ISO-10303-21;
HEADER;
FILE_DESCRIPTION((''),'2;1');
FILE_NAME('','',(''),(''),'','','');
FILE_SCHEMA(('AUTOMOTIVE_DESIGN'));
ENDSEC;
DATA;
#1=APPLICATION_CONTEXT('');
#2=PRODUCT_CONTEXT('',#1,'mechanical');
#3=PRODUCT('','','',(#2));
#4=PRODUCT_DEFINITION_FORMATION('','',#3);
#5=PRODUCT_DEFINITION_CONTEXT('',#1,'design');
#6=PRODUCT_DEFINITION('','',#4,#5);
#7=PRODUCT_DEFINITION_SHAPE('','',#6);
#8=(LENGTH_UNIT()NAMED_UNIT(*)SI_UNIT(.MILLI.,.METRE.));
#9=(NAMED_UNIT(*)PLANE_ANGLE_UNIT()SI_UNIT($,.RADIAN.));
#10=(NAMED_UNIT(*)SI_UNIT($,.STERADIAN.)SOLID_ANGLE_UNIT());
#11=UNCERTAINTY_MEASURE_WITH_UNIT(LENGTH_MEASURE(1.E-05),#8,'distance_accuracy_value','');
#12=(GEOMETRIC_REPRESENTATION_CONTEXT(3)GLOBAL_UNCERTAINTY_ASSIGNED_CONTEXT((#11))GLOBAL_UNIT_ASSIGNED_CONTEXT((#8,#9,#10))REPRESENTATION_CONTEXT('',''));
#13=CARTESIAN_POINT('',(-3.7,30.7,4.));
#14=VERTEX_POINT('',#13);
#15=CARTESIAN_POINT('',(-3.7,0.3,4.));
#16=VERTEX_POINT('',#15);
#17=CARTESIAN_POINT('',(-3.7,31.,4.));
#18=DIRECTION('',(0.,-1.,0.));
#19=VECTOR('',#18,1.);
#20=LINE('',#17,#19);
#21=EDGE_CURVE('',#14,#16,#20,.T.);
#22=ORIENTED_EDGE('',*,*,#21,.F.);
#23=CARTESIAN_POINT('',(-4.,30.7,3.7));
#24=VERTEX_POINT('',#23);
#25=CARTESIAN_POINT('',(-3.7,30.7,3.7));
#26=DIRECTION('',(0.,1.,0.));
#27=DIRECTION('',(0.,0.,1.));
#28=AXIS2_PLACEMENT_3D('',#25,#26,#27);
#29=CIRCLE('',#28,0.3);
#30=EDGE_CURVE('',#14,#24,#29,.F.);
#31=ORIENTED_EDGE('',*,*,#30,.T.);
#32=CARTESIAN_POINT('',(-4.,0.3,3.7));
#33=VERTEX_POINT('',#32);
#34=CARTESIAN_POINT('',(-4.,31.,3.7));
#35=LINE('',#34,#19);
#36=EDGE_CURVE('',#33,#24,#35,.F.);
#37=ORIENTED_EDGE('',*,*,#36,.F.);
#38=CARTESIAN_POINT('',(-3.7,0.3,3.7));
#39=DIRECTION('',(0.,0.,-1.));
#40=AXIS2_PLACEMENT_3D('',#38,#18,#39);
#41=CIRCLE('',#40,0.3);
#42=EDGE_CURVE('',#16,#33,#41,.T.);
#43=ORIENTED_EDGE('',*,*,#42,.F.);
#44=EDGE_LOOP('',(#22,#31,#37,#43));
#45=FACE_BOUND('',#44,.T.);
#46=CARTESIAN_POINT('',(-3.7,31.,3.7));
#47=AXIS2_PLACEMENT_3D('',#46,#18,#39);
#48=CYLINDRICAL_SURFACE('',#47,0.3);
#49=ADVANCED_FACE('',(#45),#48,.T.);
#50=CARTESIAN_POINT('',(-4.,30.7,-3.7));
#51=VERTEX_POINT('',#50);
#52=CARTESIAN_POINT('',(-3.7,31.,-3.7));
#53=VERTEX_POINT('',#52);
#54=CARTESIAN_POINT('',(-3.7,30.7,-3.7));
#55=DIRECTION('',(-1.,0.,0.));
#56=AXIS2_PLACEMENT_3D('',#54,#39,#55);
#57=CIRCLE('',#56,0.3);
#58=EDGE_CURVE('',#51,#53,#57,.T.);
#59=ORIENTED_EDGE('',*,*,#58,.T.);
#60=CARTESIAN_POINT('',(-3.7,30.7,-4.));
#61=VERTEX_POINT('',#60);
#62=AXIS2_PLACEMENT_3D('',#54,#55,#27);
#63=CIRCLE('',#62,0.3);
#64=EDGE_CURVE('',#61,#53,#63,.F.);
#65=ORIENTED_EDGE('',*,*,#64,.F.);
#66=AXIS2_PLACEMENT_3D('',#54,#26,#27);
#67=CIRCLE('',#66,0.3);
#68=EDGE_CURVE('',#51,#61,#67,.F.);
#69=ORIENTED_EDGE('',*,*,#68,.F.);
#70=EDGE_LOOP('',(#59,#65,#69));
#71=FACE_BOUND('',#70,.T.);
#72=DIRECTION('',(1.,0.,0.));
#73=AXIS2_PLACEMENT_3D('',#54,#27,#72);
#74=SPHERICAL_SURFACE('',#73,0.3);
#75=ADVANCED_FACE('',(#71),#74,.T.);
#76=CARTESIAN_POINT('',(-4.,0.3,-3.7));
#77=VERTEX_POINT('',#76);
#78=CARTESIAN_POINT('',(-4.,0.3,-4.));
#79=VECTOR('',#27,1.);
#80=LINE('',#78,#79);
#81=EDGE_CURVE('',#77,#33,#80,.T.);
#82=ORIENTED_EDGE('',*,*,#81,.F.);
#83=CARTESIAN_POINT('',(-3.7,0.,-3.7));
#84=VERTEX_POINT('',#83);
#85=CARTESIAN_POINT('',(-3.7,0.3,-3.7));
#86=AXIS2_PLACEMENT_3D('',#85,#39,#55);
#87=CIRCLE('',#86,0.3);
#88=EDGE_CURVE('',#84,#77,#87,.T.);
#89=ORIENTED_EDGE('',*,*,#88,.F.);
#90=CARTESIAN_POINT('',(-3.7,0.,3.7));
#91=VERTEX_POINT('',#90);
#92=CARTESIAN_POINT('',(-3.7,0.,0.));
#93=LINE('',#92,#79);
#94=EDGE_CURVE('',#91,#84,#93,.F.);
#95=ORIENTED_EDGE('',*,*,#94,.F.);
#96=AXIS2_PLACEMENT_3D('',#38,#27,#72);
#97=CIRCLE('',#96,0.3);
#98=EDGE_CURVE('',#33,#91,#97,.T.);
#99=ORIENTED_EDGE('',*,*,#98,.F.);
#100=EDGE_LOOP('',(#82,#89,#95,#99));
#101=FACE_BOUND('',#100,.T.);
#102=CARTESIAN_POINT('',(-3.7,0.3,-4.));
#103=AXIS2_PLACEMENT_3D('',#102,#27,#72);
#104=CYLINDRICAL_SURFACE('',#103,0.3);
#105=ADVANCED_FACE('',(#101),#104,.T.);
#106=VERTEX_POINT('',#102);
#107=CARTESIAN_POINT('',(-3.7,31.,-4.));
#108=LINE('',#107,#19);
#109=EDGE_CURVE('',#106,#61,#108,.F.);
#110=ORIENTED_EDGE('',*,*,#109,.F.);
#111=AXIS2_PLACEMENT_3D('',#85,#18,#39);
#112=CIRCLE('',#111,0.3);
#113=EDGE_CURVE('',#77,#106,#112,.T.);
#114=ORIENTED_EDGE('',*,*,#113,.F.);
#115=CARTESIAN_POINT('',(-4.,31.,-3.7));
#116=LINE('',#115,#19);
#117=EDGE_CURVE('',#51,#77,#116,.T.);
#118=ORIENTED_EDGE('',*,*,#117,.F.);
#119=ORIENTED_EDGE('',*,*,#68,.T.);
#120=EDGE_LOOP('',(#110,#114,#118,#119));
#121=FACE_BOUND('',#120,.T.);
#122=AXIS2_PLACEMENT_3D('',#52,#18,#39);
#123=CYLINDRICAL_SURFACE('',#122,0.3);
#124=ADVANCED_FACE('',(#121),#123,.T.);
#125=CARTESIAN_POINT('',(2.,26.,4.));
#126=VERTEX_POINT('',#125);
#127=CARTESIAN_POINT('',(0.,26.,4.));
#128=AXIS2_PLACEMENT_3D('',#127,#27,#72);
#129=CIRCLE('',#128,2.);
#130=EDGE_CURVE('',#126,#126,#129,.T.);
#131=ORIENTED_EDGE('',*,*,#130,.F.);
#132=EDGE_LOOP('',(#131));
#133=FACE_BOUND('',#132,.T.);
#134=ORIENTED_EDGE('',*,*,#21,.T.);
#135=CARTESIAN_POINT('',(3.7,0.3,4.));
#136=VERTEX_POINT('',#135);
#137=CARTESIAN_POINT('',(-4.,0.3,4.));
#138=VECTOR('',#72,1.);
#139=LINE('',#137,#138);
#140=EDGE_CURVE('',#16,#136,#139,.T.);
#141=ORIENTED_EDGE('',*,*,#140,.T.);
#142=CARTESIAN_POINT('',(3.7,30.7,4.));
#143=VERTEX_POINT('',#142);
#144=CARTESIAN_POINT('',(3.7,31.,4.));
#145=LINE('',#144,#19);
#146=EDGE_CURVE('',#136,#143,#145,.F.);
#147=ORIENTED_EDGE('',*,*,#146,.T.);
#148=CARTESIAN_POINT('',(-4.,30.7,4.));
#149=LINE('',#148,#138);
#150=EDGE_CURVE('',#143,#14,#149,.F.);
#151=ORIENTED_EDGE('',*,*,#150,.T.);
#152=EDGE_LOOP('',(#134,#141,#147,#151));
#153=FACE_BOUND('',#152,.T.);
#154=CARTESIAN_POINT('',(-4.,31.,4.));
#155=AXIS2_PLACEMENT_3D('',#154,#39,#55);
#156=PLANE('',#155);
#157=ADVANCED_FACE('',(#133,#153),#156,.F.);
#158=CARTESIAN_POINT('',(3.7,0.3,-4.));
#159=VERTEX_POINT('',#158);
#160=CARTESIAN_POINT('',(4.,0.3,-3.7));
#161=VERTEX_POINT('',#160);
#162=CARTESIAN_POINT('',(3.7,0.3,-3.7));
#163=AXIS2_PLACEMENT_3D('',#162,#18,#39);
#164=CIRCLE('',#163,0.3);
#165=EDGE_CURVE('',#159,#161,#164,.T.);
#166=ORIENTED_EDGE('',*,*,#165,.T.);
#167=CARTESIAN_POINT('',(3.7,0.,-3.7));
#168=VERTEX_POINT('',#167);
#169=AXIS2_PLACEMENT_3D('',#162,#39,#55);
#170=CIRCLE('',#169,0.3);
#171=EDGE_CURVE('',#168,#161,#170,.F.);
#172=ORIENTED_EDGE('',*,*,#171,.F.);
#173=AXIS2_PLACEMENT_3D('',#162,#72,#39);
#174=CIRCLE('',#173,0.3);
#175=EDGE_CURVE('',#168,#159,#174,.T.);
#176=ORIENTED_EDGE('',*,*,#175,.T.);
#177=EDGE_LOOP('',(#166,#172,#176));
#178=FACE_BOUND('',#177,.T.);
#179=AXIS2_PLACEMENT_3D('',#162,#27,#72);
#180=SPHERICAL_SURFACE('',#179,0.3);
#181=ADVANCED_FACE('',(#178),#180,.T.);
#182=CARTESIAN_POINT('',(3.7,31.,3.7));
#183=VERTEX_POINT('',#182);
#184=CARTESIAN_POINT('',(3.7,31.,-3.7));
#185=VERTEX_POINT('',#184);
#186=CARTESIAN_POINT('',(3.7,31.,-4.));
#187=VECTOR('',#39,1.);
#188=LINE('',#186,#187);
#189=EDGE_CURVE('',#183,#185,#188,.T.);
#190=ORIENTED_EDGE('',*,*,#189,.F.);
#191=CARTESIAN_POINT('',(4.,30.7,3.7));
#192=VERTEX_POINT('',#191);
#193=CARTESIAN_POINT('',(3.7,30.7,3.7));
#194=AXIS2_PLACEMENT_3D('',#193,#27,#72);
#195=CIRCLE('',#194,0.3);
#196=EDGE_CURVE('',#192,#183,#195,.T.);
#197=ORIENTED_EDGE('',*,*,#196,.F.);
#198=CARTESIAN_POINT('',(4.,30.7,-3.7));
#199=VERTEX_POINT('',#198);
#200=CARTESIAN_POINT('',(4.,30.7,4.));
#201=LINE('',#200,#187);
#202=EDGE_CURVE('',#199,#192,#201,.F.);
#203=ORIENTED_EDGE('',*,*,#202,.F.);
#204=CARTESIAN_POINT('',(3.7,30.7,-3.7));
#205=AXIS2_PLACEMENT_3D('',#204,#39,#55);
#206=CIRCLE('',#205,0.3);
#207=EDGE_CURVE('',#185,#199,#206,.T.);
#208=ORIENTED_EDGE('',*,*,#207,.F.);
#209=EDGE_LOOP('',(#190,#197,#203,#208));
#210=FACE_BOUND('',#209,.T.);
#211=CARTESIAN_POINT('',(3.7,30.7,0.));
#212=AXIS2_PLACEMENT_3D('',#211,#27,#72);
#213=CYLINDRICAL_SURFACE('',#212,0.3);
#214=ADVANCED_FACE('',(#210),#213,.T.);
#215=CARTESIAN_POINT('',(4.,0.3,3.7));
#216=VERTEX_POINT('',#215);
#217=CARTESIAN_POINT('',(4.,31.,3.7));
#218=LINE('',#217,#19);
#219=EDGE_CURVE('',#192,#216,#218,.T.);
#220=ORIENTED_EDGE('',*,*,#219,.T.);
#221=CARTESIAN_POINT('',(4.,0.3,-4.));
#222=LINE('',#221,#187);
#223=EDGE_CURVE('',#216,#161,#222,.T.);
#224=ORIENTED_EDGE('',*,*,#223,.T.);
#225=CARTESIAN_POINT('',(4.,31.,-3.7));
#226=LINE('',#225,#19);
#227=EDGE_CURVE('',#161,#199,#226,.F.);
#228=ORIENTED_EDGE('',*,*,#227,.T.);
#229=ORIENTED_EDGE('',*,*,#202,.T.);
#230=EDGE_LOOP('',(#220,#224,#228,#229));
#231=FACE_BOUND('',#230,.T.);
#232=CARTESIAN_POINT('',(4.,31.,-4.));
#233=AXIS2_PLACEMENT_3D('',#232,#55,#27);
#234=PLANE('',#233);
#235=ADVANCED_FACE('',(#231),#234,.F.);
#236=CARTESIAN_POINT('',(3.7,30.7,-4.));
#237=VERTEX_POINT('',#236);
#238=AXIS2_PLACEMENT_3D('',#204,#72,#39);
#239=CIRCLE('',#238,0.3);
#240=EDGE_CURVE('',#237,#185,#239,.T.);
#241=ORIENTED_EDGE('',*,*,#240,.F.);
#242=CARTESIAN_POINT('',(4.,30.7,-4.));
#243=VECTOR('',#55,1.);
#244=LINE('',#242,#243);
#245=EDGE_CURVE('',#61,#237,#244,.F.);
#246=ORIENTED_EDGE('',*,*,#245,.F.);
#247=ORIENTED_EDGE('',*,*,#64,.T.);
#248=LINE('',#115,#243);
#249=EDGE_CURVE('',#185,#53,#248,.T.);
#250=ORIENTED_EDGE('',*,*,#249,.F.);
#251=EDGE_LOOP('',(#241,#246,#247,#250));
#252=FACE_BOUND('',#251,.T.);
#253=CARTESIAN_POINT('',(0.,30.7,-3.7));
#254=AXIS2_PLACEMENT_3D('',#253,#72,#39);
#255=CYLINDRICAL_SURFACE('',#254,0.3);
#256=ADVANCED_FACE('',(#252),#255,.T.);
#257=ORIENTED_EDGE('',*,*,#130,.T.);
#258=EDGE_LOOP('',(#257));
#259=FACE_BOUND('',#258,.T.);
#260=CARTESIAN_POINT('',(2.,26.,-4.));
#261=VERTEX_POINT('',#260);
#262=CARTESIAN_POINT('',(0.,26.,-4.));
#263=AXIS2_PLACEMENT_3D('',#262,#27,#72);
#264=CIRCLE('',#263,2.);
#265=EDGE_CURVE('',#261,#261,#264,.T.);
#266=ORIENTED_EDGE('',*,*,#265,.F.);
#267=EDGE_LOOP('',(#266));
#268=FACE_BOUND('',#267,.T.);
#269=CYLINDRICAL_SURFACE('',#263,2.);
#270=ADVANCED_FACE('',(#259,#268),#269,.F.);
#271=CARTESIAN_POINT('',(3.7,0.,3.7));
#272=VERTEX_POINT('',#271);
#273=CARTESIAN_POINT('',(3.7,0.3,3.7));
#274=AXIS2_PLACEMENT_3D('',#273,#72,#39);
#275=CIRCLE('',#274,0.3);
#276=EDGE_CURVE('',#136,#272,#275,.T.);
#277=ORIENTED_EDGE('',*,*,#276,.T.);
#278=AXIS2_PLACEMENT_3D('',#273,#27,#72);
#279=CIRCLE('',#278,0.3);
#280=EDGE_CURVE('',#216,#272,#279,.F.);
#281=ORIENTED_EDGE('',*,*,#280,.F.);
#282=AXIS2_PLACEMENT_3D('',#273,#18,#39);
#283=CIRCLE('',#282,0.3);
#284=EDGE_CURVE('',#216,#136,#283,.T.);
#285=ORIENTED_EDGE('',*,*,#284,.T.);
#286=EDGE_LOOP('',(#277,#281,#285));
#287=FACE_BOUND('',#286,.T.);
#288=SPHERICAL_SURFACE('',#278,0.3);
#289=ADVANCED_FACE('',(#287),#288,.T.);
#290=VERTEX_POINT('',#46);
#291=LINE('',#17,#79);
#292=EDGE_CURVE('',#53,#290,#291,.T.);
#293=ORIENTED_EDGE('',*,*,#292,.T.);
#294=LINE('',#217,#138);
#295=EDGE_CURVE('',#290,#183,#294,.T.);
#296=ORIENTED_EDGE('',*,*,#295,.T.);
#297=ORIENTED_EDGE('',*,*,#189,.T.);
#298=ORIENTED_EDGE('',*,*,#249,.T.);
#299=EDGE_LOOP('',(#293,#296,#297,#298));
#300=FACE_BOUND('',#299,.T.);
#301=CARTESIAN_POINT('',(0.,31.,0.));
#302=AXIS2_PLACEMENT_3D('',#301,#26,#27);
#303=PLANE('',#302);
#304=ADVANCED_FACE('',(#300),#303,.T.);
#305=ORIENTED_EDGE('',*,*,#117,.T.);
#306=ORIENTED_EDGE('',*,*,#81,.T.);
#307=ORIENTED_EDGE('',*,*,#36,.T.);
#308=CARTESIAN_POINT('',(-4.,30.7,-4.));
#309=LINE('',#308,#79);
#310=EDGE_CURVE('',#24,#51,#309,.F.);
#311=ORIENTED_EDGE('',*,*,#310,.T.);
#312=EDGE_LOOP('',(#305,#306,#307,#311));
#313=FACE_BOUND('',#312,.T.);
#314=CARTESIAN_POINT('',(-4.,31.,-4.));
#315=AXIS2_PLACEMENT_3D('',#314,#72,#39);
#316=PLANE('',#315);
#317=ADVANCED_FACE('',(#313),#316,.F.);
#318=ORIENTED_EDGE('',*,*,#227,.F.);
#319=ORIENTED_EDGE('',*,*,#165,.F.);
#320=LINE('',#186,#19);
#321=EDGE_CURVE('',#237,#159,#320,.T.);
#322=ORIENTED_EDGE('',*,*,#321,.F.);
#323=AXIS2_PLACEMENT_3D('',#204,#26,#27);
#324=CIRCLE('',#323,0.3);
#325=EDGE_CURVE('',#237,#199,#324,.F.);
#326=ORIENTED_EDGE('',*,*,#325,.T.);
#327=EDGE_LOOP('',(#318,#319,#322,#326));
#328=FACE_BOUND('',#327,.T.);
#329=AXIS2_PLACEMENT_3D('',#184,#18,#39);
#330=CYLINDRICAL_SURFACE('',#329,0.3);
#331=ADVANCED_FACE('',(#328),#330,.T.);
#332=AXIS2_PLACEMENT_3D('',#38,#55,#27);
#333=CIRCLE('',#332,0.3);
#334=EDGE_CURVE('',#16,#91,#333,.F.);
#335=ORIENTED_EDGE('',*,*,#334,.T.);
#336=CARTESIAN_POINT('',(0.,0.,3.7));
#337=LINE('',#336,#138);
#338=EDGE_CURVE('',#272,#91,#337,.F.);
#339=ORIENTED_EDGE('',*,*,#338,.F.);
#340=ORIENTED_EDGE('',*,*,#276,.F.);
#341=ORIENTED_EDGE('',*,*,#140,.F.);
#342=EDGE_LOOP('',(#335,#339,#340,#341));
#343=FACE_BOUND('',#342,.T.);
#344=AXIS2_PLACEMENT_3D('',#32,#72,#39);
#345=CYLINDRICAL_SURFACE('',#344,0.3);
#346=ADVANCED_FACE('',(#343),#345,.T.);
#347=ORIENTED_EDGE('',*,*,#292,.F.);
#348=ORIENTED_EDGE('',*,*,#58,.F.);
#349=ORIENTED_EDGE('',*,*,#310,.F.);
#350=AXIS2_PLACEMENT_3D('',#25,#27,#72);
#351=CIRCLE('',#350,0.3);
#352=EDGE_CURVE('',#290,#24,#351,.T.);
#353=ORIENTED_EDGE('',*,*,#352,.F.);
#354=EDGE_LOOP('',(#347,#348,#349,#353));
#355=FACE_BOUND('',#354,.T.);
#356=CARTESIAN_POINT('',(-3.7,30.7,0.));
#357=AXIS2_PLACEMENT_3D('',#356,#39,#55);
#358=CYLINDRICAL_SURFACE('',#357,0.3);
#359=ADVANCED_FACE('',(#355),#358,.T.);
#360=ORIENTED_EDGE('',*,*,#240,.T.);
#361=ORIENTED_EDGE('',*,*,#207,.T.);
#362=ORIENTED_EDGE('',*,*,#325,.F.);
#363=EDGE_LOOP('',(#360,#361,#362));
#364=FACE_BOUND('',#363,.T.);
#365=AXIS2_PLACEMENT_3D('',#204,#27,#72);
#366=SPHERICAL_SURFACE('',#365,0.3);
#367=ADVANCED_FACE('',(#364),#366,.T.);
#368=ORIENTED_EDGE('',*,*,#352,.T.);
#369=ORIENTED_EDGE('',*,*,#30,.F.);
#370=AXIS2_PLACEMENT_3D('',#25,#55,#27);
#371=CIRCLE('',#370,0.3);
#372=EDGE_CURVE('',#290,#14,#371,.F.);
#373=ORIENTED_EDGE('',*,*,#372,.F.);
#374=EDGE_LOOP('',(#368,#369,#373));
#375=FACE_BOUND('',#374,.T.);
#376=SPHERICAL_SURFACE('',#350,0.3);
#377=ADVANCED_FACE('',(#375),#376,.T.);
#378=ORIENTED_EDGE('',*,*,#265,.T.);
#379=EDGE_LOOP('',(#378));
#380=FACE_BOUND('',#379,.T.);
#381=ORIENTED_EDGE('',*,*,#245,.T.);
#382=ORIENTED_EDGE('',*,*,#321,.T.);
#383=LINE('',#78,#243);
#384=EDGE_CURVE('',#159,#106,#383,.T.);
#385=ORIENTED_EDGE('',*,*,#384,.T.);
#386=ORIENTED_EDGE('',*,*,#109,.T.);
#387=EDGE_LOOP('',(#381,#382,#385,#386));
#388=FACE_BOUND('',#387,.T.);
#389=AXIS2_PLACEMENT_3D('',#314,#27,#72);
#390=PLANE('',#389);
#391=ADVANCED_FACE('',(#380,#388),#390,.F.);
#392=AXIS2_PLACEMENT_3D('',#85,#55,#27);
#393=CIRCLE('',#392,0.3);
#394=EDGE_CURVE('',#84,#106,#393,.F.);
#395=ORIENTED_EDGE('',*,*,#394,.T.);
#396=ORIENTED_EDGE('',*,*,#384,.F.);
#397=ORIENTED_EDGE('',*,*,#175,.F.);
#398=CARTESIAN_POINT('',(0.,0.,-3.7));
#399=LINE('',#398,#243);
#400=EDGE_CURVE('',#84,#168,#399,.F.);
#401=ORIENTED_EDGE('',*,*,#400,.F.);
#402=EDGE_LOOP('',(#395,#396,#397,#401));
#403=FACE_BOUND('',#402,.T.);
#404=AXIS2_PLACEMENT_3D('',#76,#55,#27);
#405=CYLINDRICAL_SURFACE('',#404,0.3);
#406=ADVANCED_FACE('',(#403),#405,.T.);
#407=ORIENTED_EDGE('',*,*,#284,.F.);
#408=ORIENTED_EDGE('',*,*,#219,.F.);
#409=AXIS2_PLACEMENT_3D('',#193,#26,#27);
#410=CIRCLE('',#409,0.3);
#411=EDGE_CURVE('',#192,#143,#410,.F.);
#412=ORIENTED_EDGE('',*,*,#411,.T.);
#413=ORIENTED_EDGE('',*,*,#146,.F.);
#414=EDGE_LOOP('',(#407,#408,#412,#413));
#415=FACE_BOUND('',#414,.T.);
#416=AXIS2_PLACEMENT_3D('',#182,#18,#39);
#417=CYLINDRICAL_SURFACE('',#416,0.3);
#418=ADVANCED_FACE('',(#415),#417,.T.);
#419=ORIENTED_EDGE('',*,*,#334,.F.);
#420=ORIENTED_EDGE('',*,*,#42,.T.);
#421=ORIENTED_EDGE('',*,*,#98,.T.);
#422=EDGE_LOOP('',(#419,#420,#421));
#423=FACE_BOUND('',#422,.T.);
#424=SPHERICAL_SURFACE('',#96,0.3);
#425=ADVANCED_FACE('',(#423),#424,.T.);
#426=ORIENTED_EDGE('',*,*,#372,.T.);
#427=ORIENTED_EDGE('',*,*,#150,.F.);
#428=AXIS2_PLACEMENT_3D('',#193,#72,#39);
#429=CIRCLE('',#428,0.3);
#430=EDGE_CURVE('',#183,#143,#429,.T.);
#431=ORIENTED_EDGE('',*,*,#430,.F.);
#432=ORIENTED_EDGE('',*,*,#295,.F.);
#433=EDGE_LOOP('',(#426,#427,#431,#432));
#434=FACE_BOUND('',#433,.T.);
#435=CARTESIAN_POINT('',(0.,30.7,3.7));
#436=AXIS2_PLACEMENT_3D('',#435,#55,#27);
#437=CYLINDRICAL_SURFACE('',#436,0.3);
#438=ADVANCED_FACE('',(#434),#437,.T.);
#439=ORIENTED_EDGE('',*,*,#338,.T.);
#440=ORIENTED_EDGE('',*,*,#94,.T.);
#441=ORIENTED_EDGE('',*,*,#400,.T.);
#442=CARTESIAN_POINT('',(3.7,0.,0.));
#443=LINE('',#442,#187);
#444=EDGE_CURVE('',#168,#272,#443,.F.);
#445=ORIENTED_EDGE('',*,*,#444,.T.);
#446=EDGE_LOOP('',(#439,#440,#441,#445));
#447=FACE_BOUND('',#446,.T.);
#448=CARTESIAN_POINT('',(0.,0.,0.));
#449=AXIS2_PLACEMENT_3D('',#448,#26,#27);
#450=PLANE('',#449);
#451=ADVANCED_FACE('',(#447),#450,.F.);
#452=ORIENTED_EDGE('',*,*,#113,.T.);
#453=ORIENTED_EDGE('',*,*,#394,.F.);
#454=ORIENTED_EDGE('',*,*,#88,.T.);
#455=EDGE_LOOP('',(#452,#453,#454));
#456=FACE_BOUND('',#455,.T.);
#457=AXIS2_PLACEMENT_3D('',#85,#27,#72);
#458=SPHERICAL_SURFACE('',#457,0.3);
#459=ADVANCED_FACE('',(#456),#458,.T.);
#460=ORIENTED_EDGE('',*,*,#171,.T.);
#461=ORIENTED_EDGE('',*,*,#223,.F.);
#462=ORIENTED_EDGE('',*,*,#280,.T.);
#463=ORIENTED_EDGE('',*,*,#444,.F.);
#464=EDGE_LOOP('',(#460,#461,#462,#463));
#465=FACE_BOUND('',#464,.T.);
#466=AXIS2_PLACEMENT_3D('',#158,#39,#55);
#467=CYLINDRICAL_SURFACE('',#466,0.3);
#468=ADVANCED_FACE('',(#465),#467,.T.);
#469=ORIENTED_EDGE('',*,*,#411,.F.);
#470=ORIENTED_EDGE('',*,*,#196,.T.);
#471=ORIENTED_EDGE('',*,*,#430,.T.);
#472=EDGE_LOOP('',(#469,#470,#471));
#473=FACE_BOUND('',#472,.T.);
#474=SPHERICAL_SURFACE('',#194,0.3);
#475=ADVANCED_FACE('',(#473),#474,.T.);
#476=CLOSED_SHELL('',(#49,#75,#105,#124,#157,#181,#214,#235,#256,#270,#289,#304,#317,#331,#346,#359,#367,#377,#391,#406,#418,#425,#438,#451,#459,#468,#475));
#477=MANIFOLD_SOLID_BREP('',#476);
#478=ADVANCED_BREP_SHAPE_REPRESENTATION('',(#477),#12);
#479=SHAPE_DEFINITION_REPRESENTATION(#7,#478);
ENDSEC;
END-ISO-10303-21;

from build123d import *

# Parameters (mm, degrees)
SKIZZE1_W                       = 8
SKIZZE1_H                       = 8
AUFSATZ_LINEAR_AUSTRAGEN1_DEPTH = 31
VERRUNDUNG1_R                   = 0.3
SKIZZE2_R                       = 2
SCHNITT_LINEAR_AUSTRAGEN1_DEPTH = 9


with BuildPart() as part:
    # Skizze1 → Aufsatz-Linear austragen1 (new body)
    with BuildSketch(Plane(origin=(0, 0, 0), x_dir=(1, 0, 0), z_dir=(0, 1, 0))):
        Rectangle(SKIZZE1_W, SKIZZE1_H)
    extrude(amount=AUFSATZ_LINEAR_AUSTRAGEN1_DEPTH)

    # Verrundung1
    verrundung1_edges = [part.edges().sort_by_distance(p)[0] for p in [
        (-4, 31, 0),
        (0, 31, 4),
        (4, 31, 0),
        (0, 0, 4),
        (-4, 0, 0),
        (0, 0, -4),
        (4, 0, 0),
        (0, 31, -4),
        (4, 15.5, 4),
        (-4, 15.5, 4),
        (-4, 15.5, -4),
        (4, 15.5, -4),
    ]]
    fillet(verrundung1_edges, radius=VERRUNDUNG1_R)

    # Skizze2 → Schnitt-Linear austragen1 (cut, through all)
    with BuildSketch(Plane.XY.offset(4)):
        with Locations((0, 26)):
            Circle(SKIZZE2_R)
    extrude(amount=-SCHNITT_LINEAR_AUSTRAGEN1_DEPTH, mode=Mode.SUBTRACT)


solid = part.part
